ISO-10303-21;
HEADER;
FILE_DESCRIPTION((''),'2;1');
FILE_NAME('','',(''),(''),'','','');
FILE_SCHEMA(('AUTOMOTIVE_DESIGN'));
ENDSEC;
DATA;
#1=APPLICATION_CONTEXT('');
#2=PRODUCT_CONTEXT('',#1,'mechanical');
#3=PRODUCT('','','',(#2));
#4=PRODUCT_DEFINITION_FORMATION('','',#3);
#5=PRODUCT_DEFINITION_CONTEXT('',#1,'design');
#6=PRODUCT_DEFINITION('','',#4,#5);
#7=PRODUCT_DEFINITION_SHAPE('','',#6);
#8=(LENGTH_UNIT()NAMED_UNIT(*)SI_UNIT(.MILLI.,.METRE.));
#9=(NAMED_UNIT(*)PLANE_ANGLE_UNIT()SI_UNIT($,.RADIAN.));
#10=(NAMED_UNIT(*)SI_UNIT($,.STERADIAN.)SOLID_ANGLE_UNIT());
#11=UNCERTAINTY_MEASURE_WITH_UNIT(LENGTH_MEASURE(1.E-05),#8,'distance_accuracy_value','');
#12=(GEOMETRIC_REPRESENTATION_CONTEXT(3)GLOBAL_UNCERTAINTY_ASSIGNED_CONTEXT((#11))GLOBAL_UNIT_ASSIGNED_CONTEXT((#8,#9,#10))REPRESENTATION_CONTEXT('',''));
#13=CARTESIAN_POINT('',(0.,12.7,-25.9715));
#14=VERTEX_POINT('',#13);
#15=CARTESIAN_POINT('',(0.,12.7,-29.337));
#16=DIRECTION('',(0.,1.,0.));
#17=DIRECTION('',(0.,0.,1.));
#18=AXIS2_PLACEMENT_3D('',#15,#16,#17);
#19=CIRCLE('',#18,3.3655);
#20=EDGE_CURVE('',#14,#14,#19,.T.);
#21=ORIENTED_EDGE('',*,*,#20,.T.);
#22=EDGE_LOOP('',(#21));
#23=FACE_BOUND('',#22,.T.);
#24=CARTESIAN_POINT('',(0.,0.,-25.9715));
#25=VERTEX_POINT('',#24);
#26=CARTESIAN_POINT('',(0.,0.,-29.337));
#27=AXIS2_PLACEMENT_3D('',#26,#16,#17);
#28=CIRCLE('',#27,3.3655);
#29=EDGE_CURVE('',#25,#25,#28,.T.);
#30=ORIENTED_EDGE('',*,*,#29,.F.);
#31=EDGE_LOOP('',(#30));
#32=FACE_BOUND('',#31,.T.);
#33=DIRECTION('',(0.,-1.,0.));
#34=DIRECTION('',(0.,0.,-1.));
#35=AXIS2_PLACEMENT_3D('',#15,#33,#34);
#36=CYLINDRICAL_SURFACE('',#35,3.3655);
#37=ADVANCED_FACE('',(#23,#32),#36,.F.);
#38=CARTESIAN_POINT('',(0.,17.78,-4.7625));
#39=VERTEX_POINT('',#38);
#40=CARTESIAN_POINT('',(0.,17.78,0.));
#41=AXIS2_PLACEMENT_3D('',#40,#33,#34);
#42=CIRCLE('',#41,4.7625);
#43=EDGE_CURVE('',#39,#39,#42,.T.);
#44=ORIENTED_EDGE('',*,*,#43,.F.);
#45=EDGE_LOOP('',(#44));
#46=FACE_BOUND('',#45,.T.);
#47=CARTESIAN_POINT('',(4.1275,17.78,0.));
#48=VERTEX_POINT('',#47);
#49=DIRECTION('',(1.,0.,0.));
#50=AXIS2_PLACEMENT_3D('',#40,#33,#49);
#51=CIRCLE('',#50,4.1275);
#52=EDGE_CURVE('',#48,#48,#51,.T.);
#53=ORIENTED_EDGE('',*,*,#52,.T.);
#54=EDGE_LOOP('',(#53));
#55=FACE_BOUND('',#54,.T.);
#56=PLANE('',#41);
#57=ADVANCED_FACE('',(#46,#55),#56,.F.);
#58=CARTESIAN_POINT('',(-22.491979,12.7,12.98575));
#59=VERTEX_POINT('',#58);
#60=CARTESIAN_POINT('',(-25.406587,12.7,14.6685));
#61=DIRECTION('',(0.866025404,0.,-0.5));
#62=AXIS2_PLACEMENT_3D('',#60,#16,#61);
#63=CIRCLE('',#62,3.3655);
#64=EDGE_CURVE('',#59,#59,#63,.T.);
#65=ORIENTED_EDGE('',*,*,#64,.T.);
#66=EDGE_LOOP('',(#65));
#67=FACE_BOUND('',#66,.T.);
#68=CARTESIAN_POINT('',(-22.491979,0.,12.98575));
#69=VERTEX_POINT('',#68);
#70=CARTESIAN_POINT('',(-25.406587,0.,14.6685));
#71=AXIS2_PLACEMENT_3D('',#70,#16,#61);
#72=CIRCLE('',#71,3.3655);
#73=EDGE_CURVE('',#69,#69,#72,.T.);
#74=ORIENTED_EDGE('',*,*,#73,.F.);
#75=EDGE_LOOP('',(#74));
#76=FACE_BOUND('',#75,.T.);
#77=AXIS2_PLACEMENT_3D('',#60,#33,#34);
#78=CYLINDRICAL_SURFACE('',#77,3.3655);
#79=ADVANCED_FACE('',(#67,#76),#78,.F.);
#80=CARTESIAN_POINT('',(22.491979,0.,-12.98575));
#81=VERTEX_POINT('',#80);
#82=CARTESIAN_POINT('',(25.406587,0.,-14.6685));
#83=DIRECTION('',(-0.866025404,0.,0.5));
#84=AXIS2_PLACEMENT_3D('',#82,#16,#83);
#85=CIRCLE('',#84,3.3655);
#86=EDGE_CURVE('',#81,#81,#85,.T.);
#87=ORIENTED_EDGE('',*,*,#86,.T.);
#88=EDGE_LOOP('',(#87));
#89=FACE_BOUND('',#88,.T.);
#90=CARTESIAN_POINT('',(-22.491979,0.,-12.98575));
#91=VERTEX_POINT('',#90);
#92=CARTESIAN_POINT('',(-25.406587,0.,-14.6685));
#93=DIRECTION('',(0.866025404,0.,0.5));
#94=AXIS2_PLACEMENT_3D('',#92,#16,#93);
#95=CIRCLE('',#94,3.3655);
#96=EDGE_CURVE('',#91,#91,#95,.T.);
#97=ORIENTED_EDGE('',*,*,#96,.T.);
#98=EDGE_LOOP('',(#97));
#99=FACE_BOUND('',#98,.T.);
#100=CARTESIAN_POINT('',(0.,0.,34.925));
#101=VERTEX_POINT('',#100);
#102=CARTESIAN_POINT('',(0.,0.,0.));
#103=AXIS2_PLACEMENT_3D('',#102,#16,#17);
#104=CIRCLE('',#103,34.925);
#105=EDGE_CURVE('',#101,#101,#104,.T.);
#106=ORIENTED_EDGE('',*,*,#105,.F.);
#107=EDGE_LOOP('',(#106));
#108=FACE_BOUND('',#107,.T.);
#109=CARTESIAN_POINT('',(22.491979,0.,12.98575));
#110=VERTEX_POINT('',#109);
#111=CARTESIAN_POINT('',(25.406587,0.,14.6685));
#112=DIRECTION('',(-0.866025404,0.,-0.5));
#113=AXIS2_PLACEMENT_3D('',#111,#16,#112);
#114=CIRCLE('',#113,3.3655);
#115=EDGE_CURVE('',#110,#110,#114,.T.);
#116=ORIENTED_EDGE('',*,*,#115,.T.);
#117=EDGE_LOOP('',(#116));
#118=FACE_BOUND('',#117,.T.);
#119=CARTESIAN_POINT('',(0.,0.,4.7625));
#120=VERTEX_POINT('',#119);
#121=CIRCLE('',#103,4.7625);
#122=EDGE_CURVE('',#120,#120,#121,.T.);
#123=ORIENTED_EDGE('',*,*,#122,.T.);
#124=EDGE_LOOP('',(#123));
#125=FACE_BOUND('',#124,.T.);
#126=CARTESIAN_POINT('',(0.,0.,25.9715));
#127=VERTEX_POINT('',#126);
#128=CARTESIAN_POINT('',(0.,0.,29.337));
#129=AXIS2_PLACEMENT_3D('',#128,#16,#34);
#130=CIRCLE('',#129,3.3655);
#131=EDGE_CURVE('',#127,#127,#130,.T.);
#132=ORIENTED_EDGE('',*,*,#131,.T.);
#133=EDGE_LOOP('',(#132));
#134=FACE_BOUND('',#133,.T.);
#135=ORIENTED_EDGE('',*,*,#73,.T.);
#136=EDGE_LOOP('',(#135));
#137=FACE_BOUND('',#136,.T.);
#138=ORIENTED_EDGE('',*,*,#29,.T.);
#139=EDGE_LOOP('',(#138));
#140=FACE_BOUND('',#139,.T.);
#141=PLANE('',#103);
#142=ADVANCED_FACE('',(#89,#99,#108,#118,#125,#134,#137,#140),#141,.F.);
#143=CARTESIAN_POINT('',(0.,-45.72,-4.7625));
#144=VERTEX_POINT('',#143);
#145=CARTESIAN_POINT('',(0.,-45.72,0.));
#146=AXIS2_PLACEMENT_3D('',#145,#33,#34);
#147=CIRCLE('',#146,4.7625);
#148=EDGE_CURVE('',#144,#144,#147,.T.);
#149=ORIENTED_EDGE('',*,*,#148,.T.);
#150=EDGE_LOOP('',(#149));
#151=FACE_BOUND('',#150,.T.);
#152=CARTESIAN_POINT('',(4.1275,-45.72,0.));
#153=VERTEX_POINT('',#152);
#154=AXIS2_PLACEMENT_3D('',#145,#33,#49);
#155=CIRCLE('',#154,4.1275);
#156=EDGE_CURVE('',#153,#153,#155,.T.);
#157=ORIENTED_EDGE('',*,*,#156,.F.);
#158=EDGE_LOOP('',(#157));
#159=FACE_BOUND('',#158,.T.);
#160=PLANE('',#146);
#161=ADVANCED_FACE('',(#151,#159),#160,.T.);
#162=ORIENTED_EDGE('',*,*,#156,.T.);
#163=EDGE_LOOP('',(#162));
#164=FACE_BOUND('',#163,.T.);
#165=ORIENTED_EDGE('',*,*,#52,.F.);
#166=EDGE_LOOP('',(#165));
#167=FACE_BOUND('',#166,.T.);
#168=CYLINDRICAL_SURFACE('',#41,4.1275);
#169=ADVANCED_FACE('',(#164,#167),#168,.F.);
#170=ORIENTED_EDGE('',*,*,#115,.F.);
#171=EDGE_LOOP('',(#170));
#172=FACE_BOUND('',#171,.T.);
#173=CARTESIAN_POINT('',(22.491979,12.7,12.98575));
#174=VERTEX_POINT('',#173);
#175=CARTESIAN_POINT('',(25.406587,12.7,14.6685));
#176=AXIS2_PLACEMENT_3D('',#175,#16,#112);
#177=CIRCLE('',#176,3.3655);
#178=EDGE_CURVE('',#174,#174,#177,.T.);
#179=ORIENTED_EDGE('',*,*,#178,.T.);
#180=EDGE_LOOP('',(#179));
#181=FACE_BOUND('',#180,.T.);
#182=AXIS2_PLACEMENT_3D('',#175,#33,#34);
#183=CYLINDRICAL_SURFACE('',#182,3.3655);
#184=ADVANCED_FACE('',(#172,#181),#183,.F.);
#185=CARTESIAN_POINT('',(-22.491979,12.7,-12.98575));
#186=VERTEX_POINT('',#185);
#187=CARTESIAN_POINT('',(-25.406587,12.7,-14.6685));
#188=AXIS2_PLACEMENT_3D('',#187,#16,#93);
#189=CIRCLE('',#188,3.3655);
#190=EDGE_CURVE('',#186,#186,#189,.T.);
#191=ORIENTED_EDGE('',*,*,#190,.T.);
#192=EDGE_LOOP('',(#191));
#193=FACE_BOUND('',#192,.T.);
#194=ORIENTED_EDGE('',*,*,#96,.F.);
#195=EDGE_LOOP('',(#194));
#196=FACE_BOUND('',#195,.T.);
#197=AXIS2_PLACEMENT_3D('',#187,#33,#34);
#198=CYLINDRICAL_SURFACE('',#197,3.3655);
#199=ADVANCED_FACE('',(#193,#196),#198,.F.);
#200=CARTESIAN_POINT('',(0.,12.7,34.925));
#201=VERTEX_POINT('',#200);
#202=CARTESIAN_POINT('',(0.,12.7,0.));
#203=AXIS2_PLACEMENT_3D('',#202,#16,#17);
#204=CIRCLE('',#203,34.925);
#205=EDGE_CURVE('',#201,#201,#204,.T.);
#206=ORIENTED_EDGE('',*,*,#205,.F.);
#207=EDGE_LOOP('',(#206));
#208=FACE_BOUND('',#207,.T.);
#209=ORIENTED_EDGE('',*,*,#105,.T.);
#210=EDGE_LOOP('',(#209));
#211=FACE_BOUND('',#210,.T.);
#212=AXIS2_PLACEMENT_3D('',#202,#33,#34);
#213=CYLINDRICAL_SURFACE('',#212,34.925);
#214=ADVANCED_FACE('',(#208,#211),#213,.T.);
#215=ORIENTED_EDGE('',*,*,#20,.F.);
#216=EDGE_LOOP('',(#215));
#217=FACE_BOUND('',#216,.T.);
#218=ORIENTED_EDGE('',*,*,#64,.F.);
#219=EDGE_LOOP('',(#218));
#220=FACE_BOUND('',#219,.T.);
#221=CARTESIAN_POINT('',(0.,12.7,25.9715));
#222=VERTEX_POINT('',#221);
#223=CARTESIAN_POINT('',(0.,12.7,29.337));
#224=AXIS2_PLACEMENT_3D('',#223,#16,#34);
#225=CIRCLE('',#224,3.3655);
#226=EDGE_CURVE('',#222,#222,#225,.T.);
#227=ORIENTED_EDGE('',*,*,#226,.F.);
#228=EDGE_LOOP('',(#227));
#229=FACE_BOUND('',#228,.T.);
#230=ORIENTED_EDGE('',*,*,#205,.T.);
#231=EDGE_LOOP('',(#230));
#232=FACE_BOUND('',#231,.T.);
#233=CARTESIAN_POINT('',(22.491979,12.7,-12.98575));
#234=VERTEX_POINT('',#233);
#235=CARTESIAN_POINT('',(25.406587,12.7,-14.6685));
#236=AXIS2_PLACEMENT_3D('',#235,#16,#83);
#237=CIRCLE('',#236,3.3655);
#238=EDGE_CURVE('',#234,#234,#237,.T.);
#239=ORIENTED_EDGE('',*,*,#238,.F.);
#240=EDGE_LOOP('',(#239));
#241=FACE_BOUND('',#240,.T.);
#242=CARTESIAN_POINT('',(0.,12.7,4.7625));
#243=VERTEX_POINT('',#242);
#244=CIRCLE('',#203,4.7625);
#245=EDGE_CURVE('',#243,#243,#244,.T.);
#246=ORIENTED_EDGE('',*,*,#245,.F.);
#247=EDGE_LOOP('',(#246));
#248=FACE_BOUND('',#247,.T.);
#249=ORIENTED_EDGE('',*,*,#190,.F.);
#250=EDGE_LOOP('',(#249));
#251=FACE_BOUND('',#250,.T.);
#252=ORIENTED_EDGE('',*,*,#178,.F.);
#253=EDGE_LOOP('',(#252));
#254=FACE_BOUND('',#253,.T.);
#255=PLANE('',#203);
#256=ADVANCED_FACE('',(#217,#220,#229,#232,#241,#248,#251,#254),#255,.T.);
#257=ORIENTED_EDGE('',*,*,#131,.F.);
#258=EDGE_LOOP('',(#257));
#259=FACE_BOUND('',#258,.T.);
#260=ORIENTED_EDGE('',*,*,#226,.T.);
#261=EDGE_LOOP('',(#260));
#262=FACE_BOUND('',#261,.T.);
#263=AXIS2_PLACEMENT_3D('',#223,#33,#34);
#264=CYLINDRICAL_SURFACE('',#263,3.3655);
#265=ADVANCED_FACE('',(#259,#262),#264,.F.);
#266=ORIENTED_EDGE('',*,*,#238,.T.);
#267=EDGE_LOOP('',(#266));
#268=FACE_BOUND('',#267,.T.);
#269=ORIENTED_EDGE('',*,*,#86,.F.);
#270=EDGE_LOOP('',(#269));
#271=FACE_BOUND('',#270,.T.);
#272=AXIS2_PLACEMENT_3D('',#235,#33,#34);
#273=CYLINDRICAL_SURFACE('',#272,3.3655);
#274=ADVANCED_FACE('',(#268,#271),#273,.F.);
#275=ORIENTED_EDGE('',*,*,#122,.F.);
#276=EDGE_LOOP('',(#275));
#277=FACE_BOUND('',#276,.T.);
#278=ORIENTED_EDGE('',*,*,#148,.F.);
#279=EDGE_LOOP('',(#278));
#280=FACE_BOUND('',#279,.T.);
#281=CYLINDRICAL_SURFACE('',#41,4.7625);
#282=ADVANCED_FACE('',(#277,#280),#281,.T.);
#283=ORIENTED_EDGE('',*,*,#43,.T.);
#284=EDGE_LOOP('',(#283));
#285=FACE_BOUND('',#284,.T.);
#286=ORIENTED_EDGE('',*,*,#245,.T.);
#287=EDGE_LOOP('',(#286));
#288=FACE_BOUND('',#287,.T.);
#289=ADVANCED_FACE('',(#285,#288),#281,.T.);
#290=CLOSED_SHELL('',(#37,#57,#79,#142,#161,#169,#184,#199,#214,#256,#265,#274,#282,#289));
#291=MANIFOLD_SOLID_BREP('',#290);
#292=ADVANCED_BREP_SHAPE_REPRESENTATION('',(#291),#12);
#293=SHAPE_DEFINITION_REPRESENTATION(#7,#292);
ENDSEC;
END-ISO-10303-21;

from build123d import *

# Parameters (mm, degrees)
SKETCH1_R                = 34.925
EXTRUDE1_DEPTH           = 12.7
SKETCH2_R                = 4.7625
CUT_EXTRUDE1_DEPTH       = 51.998051433
SKETCH3_R                = 3.3655
CUT_EXTRUDE2_DEPTH       = 51.998051433
CIRPATTERN1_COUNT        = 6
EXTRUDE_THIN1_DEPTH      = 45.72
EXTRUDE_THIN1_DEPTH_BACK = 17.78
SKETCH5_R                = 4.7625
SKETCH5_R_2              = 4.1275


with BuildPart() as part:
    # Sketch1 → Extrude1 (new body)
    with BuildSketch(Plane(origin=(0, 0, 0), x_dir=(1, 0, 0), z_dir=(0, 1, 0))):
        Circle(SKETCH1_R)
    extrude(amount=EXTRUDE1_DEPTH)

    # Sketch2 → Cut-Extrude1 (cut, through all)
    with BuildSketch(Plane(origin=(0, 0, 0), x_dir=(1, 0, 0), z_dir=(0, 1, 0))):
        Circle(SKETCH2_R)
    extrude(amount=CUT_EXTRUDE1_DEPTH, mode=Mode.SUBTRACT)

    # Sketch3 → Cut-Extrude2 (cut, through all)
    with BuildSketch(Plane(origin=(0, 0, 0), x_dir=(1, 0, 0), z_dir=(0, 1, 0))):
        with Locations((0, 29.337)):
            Circle(SKETCH3_R)
    cut_extrude2 = extrude(amount=CUT_EXTRUDE2_DEPTH, mode=Mode.SUBTRACT)

    # CirPattern1: Cut-Extrude2 ×6 about axis
    cirpattern1_axis = Axis((0, 35.858162691, 0), (0, -1, 0))
    for i in range(1, CIRPATTERN1_COUNT):
        add(cut_extrude2.rotate(cirpattern1_axis, i * 360 / CIRPATTERN1_COUNT), mode=Mode.SUBTRACT)

    # Sketch5 → Extrude-Thin1 (add, two sides: drawn at the far end of the back side and taken through both)
    with BuildSketch(Plane.XZ.offset(-EXTRUDE_THIN1_DEPTH_BACK)):
        Circle(SKETCH5_R)
        Circle(SKETCH5_R_2, mode=Mode.SUBTRACT)
    extrude(amount=EXTRUDE_THIN1_DEPTH + EXTRUDE_THIN1_DEPTH_BACK)


solid = part.part
